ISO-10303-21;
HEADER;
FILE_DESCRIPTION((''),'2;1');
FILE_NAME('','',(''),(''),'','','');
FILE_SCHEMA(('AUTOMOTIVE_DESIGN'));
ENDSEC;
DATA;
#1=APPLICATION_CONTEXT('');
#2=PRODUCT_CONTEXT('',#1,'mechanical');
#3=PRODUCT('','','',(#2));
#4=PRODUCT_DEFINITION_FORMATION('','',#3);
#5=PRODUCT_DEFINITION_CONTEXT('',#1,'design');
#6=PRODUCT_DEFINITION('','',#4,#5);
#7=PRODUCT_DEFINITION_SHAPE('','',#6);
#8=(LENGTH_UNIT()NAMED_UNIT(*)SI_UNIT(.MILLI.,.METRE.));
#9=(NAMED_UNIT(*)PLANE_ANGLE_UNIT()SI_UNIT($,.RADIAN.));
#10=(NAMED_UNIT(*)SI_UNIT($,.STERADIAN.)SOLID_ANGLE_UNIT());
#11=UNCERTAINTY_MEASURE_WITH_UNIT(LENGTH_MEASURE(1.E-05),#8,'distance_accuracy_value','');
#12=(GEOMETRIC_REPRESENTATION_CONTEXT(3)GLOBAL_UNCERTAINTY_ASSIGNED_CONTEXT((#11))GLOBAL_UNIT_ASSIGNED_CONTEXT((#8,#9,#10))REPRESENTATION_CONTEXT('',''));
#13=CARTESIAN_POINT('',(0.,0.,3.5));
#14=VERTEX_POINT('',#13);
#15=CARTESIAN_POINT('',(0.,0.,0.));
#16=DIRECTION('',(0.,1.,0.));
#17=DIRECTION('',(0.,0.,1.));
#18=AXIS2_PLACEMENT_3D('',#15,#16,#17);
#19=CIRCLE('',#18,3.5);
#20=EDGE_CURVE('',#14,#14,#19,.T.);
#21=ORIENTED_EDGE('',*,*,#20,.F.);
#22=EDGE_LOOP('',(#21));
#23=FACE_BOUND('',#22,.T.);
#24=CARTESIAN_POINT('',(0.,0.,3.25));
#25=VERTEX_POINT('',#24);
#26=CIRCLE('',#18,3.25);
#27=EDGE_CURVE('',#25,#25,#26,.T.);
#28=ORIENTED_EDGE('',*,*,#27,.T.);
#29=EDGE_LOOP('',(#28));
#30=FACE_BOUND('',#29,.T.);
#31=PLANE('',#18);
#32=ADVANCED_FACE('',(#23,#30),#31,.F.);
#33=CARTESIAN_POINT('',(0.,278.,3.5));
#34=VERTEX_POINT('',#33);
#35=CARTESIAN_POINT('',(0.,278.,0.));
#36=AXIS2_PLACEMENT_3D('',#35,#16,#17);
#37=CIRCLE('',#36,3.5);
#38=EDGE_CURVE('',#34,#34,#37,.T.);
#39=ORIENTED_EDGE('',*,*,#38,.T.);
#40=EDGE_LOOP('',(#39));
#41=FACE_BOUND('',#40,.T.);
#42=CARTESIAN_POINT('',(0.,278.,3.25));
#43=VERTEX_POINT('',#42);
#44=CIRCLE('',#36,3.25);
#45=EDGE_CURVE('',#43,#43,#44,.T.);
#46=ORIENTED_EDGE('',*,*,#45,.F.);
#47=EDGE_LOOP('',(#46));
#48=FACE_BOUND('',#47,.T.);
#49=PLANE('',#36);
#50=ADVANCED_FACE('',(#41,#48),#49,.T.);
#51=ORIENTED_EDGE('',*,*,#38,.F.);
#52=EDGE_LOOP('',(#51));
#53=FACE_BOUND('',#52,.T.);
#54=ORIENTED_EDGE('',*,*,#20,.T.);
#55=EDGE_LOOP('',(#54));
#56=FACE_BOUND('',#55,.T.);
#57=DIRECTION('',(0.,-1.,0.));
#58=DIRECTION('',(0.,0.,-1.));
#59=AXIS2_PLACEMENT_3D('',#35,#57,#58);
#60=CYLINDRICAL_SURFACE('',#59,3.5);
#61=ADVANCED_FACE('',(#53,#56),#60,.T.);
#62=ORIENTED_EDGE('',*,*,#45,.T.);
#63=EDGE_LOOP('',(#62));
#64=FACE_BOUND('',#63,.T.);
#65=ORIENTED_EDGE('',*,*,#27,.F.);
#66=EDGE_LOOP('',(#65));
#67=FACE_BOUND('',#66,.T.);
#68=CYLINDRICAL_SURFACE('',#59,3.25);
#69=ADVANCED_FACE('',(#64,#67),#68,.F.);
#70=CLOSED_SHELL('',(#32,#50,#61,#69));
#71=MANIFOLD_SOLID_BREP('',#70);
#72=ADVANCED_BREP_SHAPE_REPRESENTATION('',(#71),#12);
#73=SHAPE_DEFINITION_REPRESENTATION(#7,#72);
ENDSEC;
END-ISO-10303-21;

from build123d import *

# Parameters (mm, degrees)
SKETCH1_R           = 3.5
SKETCH1_R_2         = 3.25
BOSS_EXTRUDE1_DEPTH = 278


with BuildPart() as part:
    # Sketch1 → Boss-Extrude1 (new body)
    with BuildSketch(Plane(origin=(0, 0, 0), x_dir=(1, 0, 0), z_dir=(0, 1, 0))):
        with Locations(Location((0, 0, 0), (0, 0, 270))):
            Circle(SKETCH1_R)
        with Locations(Location((0, 0, 0), (0, 0, 270))):
            Circle(SKETCH1_R_2, mode=Mode.SUBTRACT)
    extrude(amount=BOSS_EXTRUDE1_DEPTH)


solid = part.part
